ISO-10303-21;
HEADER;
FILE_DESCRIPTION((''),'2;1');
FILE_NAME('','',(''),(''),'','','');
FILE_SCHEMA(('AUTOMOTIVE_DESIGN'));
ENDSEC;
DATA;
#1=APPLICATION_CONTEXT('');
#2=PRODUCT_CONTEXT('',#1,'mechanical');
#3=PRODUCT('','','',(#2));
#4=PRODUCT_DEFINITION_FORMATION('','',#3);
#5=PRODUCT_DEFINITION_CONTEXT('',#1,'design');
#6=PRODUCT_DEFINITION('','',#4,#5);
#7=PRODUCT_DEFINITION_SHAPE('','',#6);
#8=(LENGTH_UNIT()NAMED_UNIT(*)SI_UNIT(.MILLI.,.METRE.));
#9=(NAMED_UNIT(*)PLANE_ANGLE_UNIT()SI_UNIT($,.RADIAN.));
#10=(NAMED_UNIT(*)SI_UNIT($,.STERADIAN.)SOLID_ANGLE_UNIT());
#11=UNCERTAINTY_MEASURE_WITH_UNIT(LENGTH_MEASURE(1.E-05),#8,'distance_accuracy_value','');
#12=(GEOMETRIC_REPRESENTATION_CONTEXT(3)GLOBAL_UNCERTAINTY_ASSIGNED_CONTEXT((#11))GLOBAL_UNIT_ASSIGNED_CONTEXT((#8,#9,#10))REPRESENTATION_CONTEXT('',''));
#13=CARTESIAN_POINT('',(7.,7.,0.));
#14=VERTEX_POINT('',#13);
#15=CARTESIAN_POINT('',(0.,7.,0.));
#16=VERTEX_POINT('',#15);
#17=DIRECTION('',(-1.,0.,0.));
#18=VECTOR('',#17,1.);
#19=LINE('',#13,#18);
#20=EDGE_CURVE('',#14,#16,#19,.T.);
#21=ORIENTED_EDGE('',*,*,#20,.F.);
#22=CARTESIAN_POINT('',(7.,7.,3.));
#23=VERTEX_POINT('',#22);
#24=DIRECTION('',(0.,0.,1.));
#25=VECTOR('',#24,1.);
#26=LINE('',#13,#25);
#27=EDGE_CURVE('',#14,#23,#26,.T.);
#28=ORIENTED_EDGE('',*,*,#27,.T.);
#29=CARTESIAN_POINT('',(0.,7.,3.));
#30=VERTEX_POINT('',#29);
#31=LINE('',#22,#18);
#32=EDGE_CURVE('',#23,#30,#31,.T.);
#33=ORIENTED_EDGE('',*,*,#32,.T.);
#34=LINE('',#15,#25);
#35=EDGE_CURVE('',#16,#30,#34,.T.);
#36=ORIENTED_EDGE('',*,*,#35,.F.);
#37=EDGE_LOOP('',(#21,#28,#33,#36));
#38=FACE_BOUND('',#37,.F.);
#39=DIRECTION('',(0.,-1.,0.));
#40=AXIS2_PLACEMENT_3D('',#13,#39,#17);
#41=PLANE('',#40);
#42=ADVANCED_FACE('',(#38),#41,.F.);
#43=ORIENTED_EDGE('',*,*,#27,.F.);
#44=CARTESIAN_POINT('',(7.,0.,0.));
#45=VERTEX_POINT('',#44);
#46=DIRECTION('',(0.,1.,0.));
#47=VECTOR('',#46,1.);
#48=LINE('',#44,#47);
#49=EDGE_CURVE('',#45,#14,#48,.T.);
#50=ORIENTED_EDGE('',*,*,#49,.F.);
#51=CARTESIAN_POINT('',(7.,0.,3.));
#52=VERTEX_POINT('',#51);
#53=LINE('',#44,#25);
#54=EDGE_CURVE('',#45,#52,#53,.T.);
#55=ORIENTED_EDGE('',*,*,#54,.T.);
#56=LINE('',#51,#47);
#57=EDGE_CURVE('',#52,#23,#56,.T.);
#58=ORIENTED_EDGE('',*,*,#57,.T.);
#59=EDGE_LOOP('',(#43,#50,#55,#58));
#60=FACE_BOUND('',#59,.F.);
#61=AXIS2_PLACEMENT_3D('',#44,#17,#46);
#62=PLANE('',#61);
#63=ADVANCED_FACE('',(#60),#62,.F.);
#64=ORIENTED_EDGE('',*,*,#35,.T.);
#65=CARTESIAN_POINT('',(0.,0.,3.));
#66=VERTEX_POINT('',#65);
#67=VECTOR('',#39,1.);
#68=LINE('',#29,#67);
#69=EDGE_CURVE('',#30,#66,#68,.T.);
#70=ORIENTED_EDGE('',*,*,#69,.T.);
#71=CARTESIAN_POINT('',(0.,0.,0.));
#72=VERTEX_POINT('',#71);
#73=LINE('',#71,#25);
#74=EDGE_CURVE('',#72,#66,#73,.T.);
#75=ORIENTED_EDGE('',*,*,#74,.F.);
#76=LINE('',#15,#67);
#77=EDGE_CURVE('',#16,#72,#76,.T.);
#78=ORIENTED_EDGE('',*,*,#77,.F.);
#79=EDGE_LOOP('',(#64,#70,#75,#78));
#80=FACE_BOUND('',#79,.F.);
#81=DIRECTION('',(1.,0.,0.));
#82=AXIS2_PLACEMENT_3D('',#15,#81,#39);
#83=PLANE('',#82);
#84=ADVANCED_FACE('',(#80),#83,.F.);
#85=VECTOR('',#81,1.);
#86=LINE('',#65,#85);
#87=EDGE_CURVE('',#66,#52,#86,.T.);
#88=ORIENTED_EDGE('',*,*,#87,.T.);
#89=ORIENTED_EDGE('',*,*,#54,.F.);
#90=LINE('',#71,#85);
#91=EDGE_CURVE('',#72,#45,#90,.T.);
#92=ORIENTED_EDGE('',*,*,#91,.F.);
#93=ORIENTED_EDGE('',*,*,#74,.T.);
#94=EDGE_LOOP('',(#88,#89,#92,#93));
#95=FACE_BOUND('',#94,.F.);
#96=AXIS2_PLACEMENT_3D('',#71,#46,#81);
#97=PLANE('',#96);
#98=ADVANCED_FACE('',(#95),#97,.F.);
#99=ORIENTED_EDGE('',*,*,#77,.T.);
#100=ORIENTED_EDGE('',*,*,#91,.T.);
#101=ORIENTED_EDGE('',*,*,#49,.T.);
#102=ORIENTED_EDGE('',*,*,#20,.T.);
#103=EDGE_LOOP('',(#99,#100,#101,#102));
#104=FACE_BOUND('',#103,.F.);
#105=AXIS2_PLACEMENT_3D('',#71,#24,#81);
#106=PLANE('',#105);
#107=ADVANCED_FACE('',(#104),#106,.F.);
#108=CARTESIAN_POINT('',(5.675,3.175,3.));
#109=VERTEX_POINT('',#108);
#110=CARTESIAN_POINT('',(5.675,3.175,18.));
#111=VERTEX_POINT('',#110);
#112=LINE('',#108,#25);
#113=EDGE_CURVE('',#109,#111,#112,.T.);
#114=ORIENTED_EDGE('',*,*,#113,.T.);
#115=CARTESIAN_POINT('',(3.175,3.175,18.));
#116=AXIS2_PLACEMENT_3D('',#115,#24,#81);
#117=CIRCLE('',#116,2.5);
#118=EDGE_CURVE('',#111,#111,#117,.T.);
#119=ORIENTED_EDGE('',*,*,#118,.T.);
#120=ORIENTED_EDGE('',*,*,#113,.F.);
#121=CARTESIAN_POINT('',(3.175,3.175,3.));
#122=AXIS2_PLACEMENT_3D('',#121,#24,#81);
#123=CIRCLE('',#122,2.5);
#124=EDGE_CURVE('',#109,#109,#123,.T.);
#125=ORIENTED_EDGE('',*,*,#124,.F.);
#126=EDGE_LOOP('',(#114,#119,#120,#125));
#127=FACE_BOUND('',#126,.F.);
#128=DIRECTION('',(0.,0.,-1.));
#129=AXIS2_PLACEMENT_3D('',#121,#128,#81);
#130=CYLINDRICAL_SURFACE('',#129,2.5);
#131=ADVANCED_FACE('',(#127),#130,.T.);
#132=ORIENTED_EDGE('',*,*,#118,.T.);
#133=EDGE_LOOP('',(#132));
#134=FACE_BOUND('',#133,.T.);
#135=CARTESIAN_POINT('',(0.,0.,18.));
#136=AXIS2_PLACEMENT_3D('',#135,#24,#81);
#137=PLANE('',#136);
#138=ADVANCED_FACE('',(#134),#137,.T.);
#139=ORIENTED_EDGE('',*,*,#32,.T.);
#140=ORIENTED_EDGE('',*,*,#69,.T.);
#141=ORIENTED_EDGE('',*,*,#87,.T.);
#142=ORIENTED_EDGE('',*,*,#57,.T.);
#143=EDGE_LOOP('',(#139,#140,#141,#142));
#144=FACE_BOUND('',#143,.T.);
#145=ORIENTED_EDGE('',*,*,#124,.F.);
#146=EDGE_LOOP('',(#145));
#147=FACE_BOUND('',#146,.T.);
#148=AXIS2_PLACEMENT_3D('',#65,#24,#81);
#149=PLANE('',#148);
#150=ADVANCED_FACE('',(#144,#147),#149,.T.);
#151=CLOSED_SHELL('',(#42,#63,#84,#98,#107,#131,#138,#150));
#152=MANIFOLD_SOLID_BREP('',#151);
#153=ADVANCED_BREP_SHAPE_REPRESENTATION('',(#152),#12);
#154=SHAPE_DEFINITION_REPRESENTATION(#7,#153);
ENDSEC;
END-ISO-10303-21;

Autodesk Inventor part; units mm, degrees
ref_plane "YZ Plane" through (0, 0, 0) normal (1, 0, 0) x (0, 1, 0)
ref_plane "XZ Plane" through (0, 0, 0) normal (0, 1, 0) x (-1, 0, 0)
ref_plane "XY Plane" through (0, 0, 0) normal (0, 0, 1) x (1, 0, 0)
sketch "Sketch1" plane through (0, 0, 0) normal (0, 0, 1) x (1, 0, 0)
  line L0 (0, 0) -> (7, 0)
  line L1 (7, 0) -> (7, 7)
  line L2 (7, 7) -> (0, 7)
  line L3 (0, 7) -> (0, 0)
  dimension "d0" = 7
  dimension "d1" = 7
extrude "Extrusion1" add sketch "Sketch1" along normal blind 3
sketch "Sketch2" plane through (0, 0, 3) normal (0, 0, 1) x (1, 0, 0)
  circle A0 centre (3.175, 3.175) radius 2.5
  point P0 (0, 0)
  dimension "d4" = 5
extrude "Extrusion2" add sketch "Sketch2" along normal blind 15
thread "Thread1" size "M5x0.8" class "6g" standard "ANSI Metric M Profile" full length
properties part number "52"
